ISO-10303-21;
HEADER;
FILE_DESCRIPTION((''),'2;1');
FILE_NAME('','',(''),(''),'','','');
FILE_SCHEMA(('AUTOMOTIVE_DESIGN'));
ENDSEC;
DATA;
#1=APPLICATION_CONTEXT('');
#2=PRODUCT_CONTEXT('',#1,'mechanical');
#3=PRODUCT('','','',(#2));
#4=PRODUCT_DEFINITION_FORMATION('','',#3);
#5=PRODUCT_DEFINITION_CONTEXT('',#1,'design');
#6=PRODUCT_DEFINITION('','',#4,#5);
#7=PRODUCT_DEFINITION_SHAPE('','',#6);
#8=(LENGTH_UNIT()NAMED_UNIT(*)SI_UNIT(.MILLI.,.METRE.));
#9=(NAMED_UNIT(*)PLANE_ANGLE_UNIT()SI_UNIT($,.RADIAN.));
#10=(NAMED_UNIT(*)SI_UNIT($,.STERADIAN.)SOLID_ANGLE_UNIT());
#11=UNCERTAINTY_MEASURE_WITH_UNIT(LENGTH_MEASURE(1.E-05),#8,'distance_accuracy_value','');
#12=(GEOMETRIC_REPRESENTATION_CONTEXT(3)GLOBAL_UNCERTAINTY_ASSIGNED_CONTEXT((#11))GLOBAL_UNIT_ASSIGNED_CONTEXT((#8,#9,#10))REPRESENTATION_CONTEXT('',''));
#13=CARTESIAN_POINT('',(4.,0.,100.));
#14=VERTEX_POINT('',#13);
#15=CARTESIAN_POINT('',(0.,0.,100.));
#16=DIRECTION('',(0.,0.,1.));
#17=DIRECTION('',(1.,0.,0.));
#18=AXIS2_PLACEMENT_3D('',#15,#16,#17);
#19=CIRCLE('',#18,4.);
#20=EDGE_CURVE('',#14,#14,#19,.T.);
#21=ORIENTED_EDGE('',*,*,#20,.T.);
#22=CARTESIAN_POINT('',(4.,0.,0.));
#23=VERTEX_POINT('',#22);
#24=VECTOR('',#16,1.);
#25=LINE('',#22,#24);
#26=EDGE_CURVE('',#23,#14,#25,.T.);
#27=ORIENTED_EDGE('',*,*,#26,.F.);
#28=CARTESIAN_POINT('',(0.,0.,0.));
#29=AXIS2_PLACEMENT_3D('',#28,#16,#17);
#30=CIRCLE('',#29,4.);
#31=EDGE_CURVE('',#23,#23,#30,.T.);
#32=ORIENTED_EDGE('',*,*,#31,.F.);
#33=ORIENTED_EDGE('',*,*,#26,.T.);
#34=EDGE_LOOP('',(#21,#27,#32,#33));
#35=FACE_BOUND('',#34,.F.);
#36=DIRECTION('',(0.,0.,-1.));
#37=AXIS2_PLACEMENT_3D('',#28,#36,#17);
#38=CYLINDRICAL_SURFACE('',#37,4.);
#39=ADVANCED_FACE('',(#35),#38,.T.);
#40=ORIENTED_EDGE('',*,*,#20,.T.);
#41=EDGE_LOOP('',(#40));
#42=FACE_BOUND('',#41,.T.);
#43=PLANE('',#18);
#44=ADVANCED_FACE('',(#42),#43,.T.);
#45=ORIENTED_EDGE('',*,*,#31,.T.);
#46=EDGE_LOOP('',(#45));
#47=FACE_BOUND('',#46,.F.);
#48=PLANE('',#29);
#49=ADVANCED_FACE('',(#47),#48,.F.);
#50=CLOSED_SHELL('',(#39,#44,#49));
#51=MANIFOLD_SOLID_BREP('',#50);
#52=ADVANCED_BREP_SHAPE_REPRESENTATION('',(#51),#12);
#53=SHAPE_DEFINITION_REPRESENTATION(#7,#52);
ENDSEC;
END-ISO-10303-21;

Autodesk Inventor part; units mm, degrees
ref_plane "YZ Plane" through (0, 0, 0) normal (1, 0, 0) x (0, 1, 0)
ref_plane "XZ Plane" through (0, 0, 0) normal (0, 1, 0) x (-1, 0, 0)
ref_plane "XY Plane" through (0, 0, 0) normal (0, 0, 1) x (1, 0, 0)
sketch "Sketch1" plane through (0, 0, 0) normal (0, 0, 1) x (1, 0, 0)
  circle A0 centre (0, 0) radius 4
  dimension "d0" = 8
extrude "Extrusion1" add sketch "Sketch1" along normal blind 100
properties part number "8mmx100mmShaft"
